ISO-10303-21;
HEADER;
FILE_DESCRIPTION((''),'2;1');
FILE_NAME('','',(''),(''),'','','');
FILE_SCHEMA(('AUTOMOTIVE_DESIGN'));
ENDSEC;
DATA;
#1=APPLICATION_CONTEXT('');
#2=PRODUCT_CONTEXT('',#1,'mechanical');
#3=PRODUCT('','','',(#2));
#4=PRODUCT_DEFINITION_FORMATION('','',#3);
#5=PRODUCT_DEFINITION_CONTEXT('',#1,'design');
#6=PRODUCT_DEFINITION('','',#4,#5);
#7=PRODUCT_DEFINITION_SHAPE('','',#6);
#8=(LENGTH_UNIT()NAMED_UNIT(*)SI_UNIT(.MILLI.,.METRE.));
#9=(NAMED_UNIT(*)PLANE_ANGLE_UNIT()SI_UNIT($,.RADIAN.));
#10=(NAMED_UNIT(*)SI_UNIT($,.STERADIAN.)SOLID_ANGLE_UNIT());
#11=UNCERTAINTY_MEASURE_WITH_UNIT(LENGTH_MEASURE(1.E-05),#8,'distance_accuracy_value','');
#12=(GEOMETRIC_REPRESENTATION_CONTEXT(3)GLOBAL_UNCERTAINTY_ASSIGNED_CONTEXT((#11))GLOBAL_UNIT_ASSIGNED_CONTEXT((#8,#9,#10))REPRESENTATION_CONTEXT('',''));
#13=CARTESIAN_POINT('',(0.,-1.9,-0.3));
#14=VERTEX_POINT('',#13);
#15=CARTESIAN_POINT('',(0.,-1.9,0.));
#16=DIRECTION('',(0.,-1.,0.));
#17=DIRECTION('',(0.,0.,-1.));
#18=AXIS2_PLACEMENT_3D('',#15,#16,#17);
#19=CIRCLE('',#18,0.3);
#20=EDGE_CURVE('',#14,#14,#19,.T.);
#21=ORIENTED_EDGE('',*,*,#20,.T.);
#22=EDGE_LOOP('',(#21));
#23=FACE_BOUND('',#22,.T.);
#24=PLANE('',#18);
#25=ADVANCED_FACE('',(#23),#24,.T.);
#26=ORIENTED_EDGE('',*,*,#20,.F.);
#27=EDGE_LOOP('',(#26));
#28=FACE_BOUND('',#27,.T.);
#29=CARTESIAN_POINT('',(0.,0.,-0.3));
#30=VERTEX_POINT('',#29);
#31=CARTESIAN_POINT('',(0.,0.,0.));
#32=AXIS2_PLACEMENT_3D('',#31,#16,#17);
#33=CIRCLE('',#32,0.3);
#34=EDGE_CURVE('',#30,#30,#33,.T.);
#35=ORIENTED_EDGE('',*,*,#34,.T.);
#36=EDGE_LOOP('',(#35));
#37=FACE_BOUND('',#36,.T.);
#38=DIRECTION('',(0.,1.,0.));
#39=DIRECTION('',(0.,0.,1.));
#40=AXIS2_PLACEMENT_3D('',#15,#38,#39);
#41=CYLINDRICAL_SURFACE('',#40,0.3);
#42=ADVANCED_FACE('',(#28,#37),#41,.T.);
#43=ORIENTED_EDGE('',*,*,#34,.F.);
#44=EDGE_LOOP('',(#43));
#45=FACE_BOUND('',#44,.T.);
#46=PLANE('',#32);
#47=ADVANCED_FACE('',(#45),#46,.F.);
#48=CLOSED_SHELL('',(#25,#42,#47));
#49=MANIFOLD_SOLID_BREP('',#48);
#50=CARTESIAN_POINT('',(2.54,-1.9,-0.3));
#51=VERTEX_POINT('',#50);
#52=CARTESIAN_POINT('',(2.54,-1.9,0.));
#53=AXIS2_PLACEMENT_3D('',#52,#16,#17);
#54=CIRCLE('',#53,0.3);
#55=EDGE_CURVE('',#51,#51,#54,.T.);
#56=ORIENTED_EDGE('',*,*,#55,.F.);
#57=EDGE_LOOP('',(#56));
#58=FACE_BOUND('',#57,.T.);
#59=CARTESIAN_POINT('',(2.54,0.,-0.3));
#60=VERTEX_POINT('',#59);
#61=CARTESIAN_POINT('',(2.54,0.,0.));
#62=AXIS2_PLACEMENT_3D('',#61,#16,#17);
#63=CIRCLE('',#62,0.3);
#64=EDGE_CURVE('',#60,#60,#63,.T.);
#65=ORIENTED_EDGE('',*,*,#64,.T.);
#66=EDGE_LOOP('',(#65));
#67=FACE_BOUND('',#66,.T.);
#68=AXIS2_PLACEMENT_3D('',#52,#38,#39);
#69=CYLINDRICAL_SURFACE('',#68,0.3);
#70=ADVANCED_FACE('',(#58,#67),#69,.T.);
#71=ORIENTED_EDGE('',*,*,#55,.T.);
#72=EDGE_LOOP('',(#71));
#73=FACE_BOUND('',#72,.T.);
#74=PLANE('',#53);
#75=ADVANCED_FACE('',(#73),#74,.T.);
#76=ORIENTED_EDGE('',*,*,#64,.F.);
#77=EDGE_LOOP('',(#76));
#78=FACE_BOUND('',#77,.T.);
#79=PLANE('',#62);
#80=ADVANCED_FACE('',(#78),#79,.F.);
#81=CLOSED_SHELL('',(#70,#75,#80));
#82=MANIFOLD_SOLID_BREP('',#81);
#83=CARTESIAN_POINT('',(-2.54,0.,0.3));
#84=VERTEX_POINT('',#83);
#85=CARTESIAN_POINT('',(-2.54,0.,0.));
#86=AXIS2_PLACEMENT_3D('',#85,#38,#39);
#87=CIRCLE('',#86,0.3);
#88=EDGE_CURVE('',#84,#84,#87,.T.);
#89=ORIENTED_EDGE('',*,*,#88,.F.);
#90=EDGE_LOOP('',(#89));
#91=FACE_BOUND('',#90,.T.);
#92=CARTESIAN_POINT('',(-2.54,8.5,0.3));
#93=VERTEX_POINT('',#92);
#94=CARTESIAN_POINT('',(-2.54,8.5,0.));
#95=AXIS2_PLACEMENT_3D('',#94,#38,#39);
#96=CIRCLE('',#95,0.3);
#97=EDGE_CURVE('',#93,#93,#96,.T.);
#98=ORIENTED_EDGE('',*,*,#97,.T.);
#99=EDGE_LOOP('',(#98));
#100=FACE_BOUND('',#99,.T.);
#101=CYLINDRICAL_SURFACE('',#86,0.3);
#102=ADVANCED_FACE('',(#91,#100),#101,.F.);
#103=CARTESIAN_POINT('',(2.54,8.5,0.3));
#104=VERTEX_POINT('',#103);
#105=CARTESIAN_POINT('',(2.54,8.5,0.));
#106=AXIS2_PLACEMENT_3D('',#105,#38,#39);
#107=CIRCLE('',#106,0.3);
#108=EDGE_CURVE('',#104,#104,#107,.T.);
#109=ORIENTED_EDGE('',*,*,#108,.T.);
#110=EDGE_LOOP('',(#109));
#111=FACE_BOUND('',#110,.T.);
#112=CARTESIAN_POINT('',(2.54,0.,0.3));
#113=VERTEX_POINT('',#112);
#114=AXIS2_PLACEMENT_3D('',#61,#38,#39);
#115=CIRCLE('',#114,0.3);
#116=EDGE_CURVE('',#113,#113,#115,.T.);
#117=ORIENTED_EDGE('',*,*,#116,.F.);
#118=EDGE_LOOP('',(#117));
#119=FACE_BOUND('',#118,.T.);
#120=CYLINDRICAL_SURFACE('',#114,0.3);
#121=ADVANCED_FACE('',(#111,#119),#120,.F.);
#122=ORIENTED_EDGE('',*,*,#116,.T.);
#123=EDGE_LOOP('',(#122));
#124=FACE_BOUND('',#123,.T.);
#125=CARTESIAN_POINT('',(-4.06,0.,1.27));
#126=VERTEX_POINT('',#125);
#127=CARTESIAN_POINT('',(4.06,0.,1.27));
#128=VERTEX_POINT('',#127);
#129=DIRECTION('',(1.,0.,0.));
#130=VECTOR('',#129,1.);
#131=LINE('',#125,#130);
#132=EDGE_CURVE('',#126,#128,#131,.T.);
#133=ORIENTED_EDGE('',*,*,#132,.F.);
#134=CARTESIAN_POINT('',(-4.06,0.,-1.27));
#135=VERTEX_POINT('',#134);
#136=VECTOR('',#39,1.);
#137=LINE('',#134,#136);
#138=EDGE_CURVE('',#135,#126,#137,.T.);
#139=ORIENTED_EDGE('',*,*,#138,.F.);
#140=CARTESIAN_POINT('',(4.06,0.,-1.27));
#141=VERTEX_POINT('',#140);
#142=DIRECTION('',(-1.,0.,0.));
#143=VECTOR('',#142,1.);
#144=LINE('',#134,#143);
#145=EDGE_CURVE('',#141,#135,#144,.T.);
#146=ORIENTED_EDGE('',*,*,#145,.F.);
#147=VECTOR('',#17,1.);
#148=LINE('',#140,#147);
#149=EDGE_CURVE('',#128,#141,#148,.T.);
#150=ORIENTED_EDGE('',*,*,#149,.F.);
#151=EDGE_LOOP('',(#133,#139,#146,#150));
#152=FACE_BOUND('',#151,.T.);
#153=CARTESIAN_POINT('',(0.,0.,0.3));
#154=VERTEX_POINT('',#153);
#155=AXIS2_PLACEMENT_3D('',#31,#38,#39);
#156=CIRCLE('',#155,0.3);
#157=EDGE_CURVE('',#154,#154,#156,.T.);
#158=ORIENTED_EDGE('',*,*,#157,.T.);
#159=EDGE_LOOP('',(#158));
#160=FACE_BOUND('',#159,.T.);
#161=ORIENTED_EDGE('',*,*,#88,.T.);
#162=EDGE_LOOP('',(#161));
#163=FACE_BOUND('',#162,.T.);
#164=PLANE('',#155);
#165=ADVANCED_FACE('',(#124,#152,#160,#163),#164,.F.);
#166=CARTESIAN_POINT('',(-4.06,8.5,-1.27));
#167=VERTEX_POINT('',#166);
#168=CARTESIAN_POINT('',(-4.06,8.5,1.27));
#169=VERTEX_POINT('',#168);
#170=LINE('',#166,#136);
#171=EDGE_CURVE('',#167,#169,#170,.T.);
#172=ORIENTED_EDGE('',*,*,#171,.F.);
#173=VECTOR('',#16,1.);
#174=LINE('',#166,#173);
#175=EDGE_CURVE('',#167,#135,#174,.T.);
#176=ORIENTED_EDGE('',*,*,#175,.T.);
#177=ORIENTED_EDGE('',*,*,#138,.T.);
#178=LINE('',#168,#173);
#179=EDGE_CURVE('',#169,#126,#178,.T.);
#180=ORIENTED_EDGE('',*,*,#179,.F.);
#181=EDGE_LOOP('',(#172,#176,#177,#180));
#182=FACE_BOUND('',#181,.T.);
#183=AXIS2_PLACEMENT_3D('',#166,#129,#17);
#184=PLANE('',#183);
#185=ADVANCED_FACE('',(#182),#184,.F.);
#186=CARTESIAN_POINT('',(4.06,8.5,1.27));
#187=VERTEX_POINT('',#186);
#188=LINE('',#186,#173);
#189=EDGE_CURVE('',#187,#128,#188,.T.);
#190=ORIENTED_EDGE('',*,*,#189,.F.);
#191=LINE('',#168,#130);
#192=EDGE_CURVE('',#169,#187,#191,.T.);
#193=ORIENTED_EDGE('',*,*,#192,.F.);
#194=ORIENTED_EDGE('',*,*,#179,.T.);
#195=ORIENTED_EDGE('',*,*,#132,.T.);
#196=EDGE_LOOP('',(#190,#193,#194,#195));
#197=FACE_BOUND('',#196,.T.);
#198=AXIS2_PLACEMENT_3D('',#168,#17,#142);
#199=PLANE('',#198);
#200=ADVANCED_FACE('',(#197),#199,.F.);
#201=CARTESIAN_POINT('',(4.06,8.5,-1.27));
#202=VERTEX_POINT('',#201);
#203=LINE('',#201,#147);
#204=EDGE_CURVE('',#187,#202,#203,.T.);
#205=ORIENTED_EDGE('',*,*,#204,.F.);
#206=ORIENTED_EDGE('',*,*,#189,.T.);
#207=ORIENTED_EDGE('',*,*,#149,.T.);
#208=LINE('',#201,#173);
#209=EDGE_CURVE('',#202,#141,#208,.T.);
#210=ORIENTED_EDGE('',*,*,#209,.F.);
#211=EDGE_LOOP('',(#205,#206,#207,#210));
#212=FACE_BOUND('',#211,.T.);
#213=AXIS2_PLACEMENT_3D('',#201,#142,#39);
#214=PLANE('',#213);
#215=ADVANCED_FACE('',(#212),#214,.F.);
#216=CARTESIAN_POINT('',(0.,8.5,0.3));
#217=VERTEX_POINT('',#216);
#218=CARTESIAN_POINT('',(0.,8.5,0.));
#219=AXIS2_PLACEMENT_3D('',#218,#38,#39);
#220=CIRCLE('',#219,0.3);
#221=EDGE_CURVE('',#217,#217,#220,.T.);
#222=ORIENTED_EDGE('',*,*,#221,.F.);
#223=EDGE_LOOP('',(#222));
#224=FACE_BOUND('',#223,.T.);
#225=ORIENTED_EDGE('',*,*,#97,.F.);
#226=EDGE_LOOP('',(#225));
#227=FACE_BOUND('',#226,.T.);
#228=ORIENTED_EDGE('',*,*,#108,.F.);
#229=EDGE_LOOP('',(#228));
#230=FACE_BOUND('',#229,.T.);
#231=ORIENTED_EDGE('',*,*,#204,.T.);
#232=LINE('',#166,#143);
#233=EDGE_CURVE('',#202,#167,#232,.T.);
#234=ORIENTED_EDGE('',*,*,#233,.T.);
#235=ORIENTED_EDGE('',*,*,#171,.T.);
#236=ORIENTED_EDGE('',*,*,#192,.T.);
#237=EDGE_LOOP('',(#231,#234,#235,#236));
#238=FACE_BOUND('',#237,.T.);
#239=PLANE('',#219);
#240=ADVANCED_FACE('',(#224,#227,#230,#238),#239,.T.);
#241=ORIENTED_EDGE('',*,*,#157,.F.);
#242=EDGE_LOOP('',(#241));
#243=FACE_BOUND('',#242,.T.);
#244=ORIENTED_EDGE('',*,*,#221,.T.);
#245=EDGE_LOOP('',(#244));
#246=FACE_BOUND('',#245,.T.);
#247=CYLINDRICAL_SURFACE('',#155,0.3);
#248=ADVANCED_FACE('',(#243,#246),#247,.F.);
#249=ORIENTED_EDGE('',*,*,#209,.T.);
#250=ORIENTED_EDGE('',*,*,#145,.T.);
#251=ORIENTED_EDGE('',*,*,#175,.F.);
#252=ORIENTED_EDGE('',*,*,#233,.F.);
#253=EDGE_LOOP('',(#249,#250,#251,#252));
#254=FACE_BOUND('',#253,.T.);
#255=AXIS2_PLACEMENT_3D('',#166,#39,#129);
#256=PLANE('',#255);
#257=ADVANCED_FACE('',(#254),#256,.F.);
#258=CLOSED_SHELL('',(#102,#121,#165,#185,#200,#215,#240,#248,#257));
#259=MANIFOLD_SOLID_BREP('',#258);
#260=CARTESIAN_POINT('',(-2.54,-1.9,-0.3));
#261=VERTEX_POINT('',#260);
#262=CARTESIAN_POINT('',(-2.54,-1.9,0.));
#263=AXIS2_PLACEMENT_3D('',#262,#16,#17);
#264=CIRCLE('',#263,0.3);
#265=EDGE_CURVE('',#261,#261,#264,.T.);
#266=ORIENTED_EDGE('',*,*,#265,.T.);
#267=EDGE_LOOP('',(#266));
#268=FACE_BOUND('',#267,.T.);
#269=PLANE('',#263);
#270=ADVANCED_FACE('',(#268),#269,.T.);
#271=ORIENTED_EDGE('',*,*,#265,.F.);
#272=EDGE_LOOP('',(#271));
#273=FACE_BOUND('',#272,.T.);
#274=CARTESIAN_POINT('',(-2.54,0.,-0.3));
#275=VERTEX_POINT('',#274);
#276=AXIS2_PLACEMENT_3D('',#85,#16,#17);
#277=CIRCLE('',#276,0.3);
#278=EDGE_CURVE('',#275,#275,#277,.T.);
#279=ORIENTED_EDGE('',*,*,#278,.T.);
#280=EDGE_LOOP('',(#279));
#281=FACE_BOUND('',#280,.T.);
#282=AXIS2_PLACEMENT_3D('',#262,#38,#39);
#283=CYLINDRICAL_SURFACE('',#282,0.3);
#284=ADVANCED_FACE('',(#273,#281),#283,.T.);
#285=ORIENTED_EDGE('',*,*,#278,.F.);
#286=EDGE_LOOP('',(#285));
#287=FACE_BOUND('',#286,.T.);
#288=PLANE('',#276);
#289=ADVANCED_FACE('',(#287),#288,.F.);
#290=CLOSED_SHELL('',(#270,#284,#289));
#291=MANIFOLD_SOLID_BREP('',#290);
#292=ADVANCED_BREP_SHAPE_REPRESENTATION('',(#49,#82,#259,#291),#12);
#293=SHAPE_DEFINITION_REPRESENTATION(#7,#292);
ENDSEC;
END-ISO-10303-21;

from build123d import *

# Parameters (mm, degrees)
SKETCH_1_W          = 8.12
SKETCH_1_H          = 2.54
EXTRUDE_1_DEPTH     = 8.5
SKETCH_2_R          = 0.3
CUT_EXTRUDE_1_DEPTH = 8.5
SKETCH_3_R          = 0.3
EXTRUDE_2_DEPTH     = 1.9
EXTRUDE_2_2_DEPTH   = 1.9
EXTRUDE_2_3_DEPTH   = 1.9


with BuildPart() as part:
    # Эскиз1 → Бобышка-Вытянуть1 (new body)
    with BuildSketch(Plane(origin=(0, 0, 0), x_dir=(1, 0, 0), z_dir=(0, 1, 0))):
        Rectangle(SKETCH_1_W, SKETCH_1_H)
    extrude(amount=EXTRUDE_1_DEPTH)

    # Эскиз2 → Вырез-Вытянуть1 (cut)
    with BuildSketch(Plane(origin=(0, 8.5, 0), x_dir=(1, 0, 0), z_dir=(0, 1, 0))):
        with Locations((-2.54, 0)):
            Circle(SKETCH_2_R)
        Circle(SKETCH_2_R)
        with Locations((2.54, 0)):
            Circle(SKETCH_2_R)
    extrude(amount=-CUT_EXTRUDE_1_DEPTH, mode=Mode.SUBTRACT)


with BuildPart() as body_2:
    # Эскиз3 → Бобышка-Вытянуть2 (new body)
    with BuildSketch(Plane.XZ):
        with Locations((-2.54, 0)):
            Circle(SKETCH_3_R)
    extrude(amount=EXTRUDE_2_DEPTH)


with BuildPart() as body_3:
    # Эскиз3 → Extrude 2 2 (new body)
    with BuildSketch(Plane.XZ):
        Circle(SKETCH_3_R)
    extrude(amount=EXTRUDE_2_2_DEPTH)


with BuildPart() as body_4:
    # Эскиз3 → Extrude 2 3 (new body)
    with BuildSketch(Plane.XZ):
        with Locations((2.54, 0)):
            Circle(SKETCH_3_R)
    extrude(amount=EXTRUDE_2_3_DEPTH)


solid = Compound([part.part, body_2.part, body_3.part, body_4.part])
